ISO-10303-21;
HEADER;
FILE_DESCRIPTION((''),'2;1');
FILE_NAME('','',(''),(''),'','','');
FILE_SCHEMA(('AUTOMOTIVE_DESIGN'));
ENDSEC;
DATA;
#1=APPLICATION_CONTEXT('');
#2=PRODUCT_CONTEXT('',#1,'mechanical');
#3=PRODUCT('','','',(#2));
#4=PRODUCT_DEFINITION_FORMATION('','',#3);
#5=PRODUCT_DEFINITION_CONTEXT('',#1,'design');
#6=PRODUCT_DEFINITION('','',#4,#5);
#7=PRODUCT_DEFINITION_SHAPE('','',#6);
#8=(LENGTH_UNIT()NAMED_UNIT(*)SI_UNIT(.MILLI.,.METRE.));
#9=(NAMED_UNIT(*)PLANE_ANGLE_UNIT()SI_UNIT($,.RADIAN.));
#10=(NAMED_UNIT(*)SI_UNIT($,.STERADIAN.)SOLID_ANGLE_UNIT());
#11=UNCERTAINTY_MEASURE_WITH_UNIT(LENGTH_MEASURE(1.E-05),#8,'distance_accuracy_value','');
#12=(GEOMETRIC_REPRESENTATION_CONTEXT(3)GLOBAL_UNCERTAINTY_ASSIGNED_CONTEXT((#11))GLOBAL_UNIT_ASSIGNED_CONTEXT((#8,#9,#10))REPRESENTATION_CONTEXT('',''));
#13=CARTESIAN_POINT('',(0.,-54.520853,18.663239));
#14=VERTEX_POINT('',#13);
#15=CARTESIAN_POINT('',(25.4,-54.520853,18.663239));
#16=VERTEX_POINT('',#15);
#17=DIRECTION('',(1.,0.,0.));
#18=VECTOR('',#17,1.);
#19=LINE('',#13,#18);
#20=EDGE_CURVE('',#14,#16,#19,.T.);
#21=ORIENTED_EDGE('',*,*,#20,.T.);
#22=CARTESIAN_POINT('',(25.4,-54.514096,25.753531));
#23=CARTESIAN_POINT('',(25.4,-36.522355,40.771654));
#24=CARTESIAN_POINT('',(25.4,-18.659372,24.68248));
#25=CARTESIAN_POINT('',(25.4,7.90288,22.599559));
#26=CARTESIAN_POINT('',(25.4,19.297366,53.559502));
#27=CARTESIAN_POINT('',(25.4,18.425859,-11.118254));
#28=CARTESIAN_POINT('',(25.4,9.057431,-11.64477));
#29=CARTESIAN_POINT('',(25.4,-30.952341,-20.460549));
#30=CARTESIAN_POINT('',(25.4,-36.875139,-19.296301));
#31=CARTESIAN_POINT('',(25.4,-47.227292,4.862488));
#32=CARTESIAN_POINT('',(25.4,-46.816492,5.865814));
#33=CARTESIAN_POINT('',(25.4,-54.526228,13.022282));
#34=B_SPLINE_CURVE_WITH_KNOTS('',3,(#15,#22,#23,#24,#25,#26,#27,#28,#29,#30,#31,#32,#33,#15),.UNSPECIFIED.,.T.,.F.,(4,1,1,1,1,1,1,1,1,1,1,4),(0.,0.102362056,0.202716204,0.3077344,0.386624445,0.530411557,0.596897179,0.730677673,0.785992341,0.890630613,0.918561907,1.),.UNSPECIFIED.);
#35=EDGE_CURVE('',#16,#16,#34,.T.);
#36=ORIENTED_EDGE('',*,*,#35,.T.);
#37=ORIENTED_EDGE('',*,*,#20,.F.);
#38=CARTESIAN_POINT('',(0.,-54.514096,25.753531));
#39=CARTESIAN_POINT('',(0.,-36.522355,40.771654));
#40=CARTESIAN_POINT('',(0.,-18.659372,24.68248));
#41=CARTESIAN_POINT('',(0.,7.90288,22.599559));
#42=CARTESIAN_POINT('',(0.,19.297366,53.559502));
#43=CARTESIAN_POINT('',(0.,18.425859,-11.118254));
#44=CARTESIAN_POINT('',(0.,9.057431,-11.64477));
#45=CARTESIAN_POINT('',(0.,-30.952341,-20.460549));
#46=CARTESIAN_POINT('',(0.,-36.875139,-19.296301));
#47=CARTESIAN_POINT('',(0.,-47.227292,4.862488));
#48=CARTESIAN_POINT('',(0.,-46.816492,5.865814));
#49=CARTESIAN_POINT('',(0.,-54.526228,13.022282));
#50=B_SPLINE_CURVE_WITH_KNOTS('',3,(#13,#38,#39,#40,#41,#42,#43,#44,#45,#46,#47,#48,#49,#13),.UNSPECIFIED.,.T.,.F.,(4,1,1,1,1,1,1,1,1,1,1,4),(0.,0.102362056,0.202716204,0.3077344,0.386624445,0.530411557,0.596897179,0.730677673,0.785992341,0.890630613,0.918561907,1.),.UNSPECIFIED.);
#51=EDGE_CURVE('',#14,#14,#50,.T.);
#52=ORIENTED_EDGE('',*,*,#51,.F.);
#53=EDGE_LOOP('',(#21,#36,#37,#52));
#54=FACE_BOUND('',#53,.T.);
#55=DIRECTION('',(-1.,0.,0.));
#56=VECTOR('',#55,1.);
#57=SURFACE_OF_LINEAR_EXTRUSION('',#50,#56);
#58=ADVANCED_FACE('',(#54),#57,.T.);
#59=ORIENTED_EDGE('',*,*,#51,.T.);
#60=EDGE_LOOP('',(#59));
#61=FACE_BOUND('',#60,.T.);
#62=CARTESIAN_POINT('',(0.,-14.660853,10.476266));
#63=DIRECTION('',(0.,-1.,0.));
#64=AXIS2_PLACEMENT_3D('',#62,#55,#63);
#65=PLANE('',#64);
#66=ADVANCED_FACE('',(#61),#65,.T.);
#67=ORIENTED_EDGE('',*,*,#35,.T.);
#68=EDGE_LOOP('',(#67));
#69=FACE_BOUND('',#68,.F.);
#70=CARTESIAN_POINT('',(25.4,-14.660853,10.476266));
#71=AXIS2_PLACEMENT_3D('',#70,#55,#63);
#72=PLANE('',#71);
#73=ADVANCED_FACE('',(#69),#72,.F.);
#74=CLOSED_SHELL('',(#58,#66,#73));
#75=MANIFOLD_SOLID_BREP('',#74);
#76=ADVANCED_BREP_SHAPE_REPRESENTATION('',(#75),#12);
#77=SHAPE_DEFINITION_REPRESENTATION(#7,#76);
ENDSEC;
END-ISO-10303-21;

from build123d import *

# Parameters (mm, degrees)
F1_DEPTH = 25.4


with BuildPart() as f1:
    # F0 (on Right) → F1 (new body)
    with BuildSketch(Plane.YZ):
        with BuildLine():
            add(Edge.make_bspline(
                [(-54.5208528638, 18.663238734), (-54.5140961938, 25.7535313313), (-36.522355138, 40.7716535541), (-18.6593720464, 24.682480321), (7.9028798125, 22.5995590492), (19.2973655714, 53.5595018668), (18.4258593258, -11.1182544579), (9.0574308416, -11.6447698133), (-30.9523412656, -20.4605486052), (-36.8751391634, -19.2963011495), (-47.227291653, 4.8624884462), (-46.8164922655, 5.8658136932), (-54.5262283939, 13.0222822119), (-54.5208528638, 18.663238734)],
                knots=[0, 0, 0, 0, 0.1023620556, 0.2027162037, 0.3077343996, 0.3866244448, 0.5304115567, 0.5968971786, 0.7306776733, 0.7859923413, 0.890630613, 0.9185619074, 1, 1, 1, 1], degree=3))
        make_face()
    extrude(amount=F1_DEPTH)


solid = f1.part
